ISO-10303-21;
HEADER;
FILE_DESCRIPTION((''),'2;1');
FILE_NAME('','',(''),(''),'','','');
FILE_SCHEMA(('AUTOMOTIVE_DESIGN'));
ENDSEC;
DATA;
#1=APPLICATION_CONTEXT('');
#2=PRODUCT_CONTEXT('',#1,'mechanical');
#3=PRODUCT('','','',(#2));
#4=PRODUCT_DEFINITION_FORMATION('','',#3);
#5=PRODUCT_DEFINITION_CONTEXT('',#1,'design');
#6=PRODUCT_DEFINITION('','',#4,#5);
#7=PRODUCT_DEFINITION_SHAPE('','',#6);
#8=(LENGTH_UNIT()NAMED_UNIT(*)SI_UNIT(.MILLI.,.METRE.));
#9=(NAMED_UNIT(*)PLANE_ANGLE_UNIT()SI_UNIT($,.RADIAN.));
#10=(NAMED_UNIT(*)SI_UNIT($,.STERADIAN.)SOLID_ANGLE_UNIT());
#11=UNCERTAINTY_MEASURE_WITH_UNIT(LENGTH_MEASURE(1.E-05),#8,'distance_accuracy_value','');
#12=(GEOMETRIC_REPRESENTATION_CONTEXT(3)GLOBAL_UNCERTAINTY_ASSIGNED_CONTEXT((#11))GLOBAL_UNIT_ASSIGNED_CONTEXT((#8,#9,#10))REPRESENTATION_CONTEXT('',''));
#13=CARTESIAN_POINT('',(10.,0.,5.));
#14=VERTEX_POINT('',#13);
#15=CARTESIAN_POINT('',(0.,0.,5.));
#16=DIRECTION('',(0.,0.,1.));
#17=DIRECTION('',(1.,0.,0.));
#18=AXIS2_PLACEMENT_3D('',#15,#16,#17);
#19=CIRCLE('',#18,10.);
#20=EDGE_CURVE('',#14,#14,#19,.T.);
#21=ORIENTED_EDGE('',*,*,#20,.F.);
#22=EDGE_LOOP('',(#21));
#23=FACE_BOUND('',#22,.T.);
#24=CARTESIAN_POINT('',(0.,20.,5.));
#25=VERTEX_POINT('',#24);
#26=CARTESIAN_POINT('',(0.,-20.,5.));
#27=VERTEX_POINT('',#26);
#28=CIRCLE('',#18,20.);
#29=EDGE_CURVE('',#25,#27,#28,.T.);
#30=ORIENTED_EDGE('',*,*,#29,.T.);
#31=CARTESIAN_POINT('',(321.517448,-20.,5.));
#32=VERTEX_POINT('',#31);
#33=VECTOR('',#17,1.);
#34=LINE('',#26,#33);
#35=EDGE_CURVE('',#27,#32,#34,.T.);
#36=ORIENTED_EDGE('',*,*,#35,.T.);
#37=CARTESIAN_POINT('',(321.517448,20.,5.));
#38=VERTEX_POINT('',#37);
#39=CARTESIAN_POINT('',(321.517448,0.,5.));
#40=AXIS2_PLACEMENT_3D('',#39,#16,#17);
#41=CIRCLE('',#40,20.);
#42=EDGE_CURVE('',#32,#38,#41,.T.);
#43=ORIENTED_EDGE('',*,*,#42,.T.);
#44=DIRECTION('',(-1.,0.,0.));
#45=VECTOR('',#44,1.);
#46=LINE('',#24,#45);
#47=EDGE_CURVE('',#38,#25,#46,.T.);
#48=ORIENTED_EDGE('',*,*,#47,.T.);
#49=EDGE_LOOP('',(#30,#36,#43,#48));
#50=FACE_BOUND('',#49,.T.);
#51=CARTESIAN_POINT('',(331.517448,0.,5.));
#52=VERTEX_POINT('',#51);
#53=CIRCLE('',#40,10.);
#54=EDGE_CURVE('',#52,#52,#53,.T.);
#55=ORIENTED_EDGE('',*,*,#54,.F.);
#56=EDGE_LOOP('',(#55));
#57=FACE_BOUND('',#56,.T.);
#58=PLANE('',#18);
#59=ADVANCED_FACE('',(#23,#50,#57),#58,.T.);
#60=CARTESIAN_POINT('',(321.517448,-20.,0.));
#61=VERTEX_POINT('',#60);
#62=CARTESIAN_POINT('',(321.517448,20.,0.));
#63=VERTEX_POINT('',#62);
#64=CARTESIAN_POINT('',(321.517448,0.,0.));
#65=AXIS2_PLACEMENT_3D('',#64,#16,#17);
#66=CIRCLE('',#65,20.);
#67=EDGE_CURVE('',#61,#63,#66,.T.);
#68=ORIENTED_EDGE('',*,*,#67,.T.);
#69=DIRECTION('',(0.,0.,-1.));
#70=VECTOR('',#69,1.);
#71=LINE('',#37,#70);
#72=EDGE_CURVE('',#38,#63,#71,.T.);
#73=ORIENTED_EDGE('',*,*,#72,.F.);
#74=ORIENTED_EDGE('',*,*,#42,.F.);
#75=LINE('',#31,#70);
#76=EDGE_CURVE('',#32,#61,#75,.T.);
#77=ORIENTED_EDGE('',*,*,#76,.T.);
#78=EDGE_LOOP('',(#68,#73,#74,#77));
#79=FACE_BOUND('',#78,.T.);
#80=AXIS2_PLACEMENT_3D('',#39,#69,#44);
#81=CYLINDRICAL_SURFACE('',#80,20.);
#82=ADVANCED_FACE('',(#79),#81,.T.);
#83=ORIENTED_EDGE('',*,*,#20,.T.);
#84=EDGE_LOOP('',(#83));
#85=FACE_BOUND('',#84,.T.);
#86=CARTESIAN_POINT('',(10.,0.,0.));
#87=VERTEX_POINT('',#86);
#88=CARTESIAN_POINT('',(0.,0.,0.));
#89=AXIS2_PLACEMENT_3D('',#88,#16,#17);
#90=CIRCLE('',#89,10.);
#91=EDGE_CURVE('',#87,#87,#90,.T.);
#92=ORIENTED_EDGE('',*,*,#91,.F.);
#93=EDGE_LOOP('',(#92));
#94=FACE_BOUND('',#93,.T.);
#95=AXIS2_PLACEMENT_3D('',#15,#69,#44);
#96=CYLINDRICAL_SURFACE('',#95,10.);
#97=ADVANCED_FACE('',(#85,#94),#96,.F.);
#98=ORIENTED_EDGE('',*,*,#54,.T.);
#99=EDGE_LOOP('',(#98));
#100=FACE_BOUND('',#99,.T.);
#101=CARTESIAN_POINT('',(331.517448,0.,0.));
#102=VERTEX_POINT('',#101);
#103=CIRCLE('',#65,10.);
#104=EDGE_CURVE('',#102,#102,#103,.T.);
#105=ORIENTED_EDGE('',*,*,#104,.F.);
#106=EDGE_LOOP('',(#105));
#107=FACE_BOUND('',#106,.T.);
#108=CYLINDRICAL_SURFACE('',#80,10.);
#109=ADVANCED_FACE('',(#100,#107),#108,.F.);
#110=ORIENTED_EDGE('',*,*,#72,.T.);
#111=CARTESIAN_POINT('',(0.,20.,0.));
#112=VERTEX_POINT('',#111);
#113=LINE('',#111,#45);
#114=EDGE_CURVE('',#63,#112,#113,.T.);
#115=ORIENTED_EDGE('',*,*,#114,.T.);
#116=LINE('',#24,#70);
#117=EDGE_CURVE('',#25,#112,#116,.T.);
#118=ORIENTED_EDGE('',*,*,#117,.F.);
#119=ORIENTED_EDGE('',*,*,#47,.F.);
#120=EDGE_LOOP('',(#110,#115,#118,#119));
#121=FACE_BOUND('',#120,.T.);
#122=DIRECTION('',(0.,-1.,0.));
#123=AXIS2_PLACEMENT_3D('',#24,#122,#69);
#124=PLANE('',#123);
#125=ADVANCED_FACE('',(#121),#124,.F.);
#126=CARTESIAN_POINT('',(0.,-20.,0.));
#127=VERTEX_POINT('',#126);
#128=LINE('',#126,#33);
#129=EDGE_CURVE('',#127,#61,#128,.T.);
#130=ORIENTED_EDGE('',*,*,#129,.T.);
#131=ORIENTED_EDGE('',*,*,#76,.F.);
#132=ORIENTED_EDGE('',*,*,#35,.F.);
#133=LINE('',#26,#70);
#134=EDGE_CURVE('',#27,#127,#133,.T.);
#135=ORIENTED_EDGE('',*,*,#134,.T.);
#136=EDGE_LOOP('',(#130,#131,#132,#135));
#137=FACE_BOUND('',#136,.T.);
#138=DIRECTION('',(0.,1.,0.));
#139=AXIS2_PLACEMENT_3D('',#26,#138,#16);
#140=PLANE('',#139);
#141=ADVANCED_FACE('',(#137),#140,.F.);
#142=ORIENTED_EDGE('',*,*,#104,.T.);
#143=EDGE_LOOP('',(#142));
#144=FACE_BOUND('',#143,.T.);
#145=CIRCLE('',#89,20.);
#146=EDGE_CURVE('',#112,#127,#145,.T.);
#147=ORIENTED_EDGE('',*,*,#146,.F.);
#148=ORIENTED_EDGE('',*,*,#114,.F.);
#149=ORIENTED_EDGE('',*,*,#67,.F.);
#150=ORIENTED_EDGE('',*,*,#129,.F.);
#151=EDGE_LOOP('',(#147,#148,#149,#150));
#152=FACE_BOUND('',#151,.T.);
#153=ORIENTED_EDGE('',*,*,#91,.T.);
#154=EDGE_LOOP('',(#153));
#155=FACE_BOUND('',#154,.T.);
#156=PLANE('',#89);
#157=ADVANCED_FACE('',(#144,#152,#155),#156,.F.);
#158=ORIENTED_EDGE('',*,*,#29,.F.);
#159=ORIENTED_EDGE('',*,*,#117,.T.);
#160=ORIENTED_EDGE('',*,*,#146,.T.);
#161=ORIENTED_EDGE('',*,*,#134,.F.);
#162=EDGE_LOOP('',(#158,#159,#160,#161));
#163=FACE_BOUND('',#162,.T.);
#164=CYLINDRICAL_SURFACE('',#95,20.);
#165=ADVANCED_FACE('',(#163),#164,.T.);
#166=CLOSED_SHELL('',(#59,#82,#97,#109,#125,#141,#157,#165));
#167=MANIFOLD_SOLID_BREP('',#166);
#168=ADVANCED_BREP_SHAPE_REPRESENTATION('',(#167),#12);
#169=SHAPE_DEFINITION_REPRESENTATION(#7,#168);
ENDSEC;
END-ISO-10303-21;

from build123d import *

# Parameters (mm, degrees)
SKETCH_1_R      = 10
EXTRUDE_1_DEPTH = 5


with BuildPart() as part:
    # 草图1 → 凸台-拉伸1 (new body)
    with BuildSketch(Plane.XY):
        with BuildLine():
            Line((0, 20), (321.51744803, 20))
            ThreePointArc((321.51744803, 20), (341.51744803, 0), (321.51744803, -20))
            Line((321.51744803, -20), (0, -20))
            ThreePointArc((0, -20), (-20, 0), (0, 20))
        make_face()
        Circle(SKETCH_1_R, mode=Mode.SUBTRACT)
        with Locations((321.51744803, 0)):
            Circle(SKETCH_1_R, mode=Mode.SUBTRACT)
    extrude(amount=EXTRUDE_1_DEPTH)


solid = part.part
